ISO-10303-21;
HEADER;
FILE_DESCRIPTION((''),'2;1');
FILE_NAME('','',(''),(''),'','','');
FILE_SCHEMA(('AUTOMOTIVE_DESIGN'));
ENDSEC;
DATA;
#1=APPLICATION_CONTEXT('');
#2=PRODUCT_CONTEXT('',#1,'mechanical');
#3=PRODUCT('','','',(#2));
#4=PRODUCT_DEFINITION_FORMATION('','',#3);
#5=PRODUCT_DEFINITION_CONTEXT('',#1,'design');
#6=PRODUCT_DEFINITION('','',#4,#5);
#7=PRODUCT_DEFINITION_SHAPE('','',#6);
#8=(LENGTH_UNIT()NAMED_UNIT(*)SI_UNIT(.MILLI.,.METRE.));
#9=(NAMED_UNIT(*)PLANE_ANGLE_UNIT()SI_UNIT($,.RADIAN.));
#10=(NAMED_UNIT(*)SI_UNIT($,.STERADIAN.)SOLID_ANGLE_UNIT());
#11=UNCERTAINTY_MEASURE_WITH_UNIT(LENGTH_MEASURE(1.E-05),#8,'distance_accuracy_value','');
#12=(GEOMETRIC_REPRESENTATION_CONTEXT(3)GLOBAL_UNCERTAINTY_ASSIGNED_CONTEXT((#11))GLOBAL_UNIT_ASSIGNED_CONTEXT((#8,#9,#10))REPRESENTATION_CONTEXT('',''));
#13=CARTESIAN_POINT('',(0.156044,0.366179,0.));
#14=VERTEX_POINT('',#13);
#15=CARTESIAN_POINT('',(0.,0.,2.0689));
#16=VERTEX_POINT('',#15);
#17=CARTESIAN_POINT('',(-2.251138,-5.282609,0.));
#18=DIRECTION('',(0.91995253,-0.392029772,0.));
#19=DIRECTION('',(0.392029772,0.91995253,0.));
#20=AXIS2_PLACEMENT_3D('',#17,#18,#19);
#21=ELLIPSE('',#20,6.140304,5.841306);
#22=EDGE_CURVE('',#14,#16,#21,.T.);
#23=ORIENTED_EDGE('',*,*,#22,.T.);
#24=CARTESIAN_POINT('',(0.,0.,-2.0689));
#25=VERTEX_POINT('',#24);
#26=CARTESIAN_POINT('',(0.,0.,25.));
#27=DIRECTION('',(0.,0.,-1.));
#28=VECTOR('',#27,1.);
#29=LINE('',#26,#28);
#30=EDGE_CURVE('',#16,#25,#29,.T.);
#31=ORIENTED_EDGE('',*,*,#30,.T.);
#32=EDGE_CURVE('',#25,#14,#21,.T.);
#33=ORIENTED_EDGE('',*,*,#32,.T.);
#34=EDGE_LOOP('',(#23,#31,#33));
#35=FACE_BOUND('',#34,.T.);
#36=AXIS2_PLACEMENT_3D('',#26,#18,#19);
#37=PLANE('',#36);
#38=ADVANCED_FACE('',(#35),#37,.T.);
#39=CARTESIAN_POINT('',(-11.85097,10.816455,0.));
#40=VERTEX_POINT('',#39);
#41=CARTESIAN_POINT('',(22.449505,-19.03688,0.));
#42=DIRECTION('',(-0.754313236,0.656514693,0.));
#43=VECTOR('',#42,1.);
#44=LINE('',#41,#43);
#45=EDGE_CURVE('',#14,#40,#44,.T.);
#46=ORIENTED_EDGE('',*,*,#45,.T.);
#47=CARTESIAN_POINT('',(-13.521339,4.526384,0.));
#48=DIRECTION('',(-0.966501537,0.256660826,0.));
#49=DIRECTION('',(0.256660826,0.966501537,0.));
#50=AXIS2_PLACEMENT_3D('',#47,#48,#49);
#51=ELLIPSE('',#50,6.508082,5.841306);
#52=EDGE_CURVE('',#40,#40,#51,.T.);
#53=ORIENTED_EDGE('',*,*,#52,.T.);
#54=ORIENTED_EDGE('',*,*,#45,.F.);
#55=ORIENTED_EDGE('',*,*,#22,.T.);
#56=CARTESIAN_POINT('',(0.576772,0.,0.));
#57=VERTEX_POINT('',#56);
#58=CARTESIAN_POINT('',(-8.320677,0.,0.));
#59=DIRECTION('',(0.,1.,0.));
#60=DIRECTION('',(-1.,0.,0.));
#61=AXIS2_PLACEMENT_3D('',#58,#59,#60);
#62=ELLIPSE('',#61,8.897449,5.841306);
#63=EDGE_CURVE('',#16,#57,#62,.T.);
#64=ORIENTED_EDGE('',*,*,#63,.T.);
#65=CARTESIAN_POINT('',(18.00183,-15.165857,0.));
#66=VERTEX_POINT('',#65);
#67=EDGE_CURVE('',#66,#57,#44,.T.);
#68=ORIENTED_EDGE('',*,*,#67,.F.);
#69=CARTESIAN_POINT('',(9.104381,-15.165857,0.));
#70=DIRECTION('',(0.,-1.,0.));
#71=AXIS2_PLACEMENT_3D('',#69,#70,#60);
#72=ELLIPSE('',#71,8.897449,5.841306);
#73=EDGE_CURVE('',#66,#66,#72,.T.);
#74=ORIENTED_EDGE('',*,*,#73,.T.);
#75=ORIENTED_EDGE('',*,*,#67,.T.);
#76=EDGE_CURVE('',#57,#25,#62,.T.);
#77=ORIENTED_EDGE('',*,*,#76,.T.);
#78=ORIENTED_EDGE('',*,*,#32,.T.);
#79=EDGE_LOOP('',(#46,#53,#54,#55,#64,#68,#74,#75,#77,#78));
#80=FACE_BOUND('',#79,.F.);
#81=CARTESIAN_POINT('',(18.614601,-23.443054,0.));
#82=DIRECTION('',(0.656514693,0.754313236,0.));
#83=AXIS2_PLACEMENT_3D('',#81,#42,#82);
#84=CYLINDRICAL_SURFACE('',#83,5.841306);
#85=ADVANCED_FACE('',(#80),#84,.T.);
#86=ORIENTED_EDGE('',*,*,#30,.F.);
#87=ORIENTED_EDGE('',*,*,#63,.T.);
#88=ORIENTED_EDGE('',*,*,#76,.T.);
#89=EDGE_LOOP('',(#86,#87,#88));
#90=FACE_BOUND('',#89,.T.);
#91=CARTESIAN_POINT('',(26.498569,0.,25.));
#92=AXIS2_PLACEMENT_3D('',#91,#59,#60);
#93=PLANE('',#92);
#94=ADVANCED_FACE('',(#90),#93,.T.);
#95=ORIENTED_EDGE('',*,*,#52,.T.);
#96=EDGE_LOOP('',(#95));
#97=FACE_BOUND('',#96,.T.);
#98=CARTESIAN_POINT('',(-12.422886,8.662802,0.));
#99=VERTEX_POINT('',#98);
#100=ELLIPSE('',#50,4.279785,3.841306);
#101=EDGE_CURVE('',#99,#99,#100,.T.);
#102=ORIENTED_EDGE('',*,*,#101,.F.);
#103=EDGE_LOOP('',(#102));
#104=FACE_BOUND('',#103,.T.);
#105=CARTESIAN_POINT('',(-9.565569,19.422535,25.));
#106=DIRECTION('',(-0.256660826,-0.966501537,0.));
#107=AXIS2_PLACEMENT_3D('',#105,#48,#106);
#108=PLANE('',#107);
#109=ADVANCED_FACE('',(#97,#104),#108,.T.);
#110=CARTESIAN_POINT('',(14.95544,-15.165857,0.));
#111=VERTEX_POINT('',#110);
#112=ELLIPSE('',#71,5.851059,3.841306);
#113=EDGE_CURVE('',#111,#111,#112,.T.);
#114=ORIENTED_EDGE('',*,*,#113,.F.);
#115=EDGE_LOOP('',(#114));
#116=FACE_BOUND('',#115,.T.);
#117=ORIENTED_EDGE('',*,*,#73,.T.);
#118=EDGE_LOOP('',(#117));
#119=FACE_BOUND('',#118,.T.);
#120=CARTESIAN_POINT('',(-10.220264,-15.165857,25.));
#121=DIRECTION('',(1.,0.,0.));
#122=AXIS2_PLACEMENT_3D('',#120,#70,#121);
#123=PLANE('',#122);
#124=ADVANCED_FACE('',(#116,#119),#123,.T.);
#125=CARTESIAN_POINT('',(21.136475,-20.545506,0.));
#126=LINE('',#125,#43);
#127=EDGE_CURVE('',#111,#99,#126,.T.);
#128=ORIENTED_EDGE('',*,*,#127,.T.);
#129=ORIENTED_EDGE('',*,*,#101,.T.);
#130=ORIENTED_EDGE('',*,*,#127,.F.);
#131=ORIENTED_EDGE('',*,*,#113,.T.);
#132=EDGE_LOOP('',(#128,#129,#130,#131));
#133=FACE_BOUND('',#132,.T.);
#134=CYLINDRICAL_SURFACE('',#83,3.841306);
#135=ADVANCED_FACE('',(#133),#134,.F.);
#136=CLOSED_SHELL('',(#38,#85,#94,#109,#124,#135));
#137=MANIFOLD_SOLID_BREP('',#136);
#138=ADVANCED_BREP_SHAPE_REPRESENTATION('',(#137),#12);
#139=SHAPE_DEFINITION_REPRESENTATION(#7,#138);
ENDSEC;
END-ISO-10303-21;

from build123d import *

# Parameters (mm, degrees)
F2_T     = -2
F5_DEPTH = 50


with BuildPart() as f1:
    # F0 (on Top) → F1 (revolve)
    with BuildSketch(Plane.XY):
        Polygon((-25.3351479258, 22.5523764878), (-29.1700512171, 18.1462019682), (18.6146012928, -23.4430542826), (22.4495045841, -19.036879763), align=None)
    revolve(axis=Axis((-5.2777249621, -2.6484261572, 0), (0.754313236, -0.6565146929, 0)))

    # F2
    f2_openings = [f1.faces().sort_by_distance(p)[0] for p in [
        (-29.170051, 18.146202, 0),
        (18.614601, -23.443054, 0),
    ]]
    offset(amount=F2_T, openings=f2_openings)

    # F4 (on offset) → F5 (intersect)
    with BuildSketch(Plane.XY.offset(25)):
        Polygon((-17.0640610158, -8.8143590838), (-10.2202640846, -15.1658570394), (26.4985691756, -15.1658570394), (26.4985691756, 0), (0, 0), (5.9569892474, 13.9789059758), (-9.5655685291, 19.4225348532), align=None)
    extrude(amount=-F5_DEPTH, mode=Mode.INTERSECT)


solid = f1.part
